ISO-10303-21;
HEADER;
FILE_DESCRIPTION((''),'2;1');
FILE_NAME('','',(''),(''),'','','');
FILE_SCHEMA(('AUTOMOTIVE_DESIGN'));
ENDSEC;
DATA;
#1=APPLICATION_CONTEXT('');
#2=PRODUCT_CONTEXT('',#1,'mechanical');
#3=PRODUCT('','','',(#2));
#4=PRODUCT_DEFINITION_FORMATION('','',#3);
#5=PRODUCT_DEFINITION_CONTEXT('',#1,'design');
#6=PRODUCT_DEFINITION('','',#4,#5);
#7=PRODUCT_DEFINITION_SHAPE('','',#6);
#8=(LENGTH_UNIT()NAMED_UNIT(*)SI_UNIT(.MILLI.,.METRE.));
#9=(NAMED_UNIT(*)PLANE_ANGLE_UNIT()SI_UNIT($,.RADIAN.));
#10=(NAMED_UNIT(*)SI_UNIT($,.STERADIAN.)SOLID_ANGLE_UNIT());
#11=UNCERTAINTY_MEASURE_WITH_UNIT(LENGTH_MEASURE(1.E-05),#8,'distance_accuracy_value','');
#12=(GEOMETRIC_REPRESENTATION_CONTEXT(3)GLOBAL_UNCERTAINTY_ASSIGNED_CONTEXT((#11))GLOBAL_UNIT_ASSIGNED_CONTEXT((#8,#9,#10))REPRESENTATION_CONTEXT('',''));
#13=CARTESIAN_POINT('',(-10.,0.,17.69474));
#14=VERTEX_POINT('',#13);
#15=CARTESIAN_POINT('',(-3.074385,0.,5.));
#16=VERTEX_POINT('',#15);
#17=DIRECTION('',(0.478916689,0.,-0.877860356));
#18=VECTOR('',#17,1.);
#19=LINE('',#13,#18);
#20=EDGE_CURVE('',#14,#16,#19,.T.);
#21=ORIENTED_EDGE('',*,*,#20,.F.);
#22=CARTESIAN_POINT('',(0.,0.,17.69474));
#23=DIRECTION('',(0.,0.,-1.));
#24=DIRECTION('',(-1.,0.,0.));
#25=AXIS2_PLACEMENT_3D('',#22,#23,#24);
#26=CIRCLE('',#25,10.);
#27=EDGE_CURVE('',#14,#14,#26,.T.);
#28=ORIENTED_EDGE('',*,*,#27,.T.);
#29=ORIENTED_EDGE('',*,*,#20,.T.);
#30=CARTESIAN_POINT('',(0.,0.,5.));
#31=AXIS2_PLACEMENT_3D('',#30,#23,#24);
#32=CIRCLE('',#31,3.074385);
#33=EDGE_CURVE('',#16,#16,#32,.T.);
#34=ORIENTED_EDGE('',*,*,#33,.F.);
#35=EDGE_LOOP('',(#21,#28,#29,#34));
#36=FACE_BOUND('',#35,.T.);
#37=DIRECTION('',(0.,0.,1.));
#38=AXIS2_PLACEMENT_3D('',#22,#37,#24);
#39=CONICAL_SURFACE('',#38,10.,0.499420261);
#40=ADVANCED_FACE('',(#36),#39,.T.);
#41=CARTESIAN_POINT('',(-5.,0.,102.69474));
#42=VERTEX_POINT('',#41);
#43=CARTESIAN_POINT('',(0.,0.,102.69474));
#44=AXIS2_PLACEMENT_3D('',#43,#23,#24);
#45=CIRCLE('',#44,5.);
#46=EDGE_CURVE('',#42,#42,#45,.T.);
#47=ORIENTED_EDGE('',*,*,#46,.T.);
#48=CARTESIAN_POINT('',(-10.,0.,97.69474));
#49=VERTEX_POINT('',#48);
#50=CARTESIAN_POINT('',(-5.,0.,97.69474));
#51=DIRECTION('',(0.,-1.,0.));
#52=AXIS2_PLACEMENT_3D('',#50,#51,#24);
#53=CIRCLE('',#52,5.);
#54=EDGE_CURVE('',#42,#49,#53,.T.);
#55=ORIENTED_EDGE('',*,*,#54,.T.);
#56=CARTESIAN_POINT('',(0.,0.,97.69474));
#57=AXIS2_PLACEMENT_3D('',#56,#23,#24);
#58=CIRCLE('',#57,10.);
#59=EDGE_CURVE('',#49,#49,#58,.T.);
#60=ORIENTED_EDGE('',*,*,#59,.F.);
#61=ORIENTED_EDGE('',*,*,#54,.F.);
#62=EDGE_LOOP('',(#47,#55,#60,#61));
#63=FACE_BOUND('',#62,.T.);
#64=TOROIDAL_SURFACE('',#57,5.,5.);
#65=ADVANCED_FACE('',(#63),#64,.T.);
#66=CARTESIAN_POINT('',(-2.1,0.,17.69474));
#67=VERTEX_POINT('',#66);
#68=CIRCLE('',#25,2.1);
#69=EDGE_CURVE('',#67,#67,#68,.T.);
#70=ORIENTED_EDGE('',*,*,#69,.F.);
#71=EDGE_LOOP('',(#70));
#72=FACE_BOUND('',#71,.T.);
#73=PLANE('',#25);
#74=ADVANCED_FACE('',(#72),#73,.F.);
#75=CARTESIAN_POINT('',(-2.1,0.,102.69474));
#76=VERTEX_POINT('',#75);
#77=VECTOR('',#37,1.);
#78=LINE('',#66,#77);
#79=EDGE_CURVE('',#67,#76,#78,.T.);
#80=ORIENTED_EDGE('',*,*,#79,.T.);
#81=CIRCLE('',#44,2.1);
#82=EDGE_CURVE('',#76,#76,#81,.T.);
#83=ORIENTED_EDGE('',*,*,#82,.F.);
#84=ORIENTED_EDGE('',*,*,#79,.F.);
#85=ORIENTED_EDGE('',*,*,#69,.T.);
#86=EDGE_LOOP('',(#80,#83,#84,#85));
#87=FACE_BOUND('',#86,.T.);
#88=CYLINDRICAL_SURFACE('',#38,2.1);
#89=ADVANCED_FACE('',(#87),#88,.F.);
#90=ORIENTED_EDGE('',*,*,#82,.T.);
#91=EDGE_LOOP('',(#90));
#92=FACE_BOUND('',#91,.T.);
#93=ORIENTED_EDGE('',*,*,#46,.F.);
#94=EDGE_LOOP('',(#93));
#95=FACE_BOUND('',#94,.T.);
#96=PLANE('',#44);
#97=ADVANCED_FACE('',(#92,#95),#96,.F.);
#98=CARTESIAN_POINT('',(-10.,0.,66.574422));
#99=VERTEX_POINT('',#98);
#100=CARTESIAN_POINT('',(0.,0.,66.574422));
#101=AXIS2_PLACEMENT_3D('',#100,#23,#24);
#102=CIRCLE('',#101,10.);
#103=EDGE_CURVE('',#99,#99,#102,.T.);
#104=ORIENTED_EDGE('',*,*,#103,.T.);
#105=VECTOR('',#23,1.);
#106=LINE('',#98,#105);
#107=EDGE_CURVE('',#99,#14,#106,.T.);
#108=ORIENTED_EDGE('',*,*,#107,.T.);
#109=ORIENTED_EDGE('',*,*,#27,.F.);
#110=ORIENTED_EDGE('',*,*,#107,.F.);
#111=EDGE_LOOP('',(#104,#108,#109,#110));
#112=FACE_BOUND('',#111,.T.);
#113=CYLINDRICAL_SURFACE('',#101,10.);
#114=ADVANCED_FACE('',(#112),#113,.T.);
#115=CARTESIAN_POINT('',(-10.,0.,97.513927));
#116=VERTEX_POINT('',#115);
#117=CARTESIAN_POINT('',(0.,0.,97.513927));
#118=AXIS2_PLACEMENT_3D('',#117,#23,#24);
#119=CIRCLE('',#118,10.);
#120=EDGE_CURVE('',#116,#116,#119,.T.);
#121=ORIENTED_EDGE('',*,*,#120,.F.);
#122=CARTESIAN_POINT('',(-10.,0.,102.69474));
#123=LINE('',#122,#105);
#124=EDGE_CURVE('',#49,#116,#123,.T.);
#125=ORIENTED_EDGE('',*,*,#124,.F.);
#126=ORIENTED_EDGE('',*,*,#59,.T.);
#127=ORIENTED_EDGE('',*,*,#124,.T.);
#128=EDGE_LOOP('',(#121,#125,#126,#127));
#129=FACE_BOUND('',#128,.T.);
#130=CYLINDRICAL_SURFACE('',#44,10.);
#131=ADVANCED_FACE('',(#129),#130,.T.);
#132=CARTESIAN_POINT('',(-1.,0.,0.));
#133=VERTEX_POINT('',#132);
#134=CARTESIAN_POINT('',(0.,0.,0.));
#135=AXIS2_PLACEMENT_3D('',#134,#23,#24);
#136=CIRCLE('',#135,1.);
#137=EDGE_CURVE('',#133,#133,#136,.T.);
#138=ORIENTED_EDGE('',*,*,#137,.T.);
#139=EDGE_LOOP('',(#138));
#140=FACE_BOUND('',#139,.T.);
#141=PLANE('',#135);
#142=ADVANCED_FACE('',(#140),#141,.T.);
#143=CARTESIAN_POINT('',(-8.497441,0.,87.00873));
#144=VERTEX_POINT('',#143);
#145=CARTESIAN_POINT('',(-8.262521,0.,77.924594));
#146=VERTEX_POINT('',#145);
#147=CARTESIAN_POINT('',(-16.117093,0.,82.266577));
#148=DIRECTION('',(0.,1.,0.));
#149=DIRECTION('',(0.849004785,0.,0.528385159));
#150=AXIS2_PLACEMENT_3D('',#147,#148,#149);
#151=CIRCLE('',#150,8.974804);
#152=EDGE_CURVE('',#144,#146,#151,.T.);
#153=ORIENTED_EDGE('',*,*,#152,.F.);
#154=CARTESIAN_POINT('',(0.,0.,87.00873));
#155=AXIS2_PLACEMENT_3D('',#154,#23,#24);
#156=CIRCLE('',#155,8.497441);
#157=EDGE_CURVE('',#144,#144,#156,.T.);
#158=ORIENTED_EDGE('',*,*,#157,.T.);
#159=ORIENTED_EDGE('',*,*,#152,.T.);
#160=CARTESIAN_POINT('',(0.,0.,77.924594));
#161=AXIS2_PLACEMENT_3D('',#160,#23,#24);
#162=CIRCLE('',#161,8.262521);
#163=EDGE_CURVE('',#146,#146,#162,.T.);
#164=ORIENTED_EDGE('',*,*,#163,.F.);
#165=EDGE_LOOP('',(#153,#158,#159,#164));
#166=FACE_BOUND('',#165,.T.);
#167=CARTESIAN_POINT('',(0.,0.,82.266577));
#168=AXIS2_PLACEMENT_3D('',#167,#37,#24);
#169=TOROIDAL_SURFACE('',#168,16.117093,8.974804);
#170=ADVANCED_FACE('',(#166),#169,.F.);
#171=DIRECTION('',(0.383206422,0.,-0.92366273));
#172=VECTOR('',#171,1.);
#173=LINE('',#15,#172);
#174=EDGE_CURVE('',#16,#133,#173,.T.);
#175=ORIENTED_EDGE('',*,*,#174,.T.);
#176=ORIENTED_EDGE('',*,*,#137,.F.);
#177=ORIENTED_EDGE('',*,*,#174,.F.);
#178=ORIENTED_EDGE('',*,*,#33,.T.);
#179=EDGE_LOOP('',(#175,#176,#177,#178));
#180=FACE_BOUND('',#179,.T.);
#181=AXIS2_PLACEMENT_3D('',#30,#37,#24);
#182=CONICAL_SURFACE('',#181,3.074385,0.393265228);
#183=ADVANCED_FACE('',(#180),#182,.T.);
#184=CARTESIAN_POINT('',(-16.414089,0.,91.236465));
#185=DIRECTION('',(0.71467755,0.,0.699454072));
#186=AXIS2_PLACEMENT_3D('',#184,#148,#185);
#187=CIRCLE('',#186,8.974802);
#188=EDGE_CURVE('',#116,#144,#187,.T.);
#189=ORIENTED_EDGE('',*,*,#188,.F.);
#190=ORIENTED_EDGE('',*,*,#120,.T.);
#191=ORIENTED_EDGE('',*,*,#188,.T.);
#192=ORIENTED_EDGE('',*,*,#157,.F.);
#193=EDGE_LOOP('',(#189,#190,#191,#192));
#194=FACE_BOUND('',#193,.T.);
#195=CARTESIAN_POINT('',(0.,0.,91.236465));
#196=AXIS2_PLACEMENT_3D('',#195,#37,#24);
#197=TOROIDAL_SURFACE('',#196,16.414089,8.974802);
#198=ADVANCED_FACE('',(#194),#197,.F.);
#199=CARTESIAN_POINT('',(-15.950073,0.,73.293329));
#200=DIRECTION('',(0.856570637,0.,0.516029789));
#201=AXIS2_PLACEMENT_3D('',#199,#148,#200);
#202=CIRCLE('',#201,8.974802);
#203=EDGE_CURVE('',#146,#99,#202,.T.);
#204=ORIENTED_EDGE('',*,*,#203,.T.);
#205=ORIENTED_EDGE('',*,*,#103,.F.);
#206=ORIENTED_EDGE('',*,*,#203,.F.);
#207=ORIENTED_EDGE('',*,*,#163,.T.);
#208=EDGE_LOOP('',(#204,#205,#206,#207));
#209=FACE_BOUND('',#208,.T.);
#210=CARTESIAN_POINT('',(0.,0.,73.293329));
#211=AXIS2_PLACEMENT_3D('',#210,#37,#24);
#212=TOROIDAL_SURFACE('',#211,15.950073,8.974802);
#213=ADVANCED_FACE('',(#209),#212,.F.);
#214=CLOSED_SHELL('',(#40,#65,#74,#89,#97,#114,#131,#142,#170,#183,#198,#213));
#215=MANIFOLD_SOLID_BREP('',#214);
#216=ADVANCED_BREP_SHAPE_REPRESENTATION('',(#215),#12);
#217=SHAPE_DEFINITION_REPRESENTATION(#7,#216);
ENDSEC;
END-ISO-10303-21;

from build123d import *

# Parameters (mm, degrees)
F2_R = 5


with BuildPart() as f1:
    # F0 (on Front) → F1 (revolve)
    with BuildSketch(Plane.XZ):
        with BuildLine():
            Line((-3.074385, 5), (-1, 0))
            Line((-1, 0), (0, 0))
            Line((0, 0), (0, 17.69474))
            Line((0, 17.69474), (-2.1, 17.69474))
            Line((-2.1, 17.69474), (-2.1, 102.69474))
            Line((-2.1, 102.69474), (-10, 102.69474))
            Line((-10, 102.69474), (-10, 97.513927))
            ThreePointArc((-10, 97.513927), (-7.529704, 92.507199), (-8.497441, 87.00873))
            ThreePointArc((-8.497441, 87.00873), (-7.145288, 82.498591), (-8.262521, 77.924594))
            ThreePointArc((-8.262521, 77.924594), (-7.078613, 71.935289), (-10, 66.574422))
            Line((-10, 66.574422), (-10, 17.69474))
            Line((-10, 17.69474), (-3.074385, 5))
        make_face()
    revolve(axis=Axis((0, 0, 8.84737), (0, 0, -1)))

    # F2
    f2_edges = [f1.edges().sort_by_distance(p)[0] for p in [
        (10, 0, 102.69474),
    ]]
    fillet(f2_edges, radius=F2_R)


solid = f1.part
